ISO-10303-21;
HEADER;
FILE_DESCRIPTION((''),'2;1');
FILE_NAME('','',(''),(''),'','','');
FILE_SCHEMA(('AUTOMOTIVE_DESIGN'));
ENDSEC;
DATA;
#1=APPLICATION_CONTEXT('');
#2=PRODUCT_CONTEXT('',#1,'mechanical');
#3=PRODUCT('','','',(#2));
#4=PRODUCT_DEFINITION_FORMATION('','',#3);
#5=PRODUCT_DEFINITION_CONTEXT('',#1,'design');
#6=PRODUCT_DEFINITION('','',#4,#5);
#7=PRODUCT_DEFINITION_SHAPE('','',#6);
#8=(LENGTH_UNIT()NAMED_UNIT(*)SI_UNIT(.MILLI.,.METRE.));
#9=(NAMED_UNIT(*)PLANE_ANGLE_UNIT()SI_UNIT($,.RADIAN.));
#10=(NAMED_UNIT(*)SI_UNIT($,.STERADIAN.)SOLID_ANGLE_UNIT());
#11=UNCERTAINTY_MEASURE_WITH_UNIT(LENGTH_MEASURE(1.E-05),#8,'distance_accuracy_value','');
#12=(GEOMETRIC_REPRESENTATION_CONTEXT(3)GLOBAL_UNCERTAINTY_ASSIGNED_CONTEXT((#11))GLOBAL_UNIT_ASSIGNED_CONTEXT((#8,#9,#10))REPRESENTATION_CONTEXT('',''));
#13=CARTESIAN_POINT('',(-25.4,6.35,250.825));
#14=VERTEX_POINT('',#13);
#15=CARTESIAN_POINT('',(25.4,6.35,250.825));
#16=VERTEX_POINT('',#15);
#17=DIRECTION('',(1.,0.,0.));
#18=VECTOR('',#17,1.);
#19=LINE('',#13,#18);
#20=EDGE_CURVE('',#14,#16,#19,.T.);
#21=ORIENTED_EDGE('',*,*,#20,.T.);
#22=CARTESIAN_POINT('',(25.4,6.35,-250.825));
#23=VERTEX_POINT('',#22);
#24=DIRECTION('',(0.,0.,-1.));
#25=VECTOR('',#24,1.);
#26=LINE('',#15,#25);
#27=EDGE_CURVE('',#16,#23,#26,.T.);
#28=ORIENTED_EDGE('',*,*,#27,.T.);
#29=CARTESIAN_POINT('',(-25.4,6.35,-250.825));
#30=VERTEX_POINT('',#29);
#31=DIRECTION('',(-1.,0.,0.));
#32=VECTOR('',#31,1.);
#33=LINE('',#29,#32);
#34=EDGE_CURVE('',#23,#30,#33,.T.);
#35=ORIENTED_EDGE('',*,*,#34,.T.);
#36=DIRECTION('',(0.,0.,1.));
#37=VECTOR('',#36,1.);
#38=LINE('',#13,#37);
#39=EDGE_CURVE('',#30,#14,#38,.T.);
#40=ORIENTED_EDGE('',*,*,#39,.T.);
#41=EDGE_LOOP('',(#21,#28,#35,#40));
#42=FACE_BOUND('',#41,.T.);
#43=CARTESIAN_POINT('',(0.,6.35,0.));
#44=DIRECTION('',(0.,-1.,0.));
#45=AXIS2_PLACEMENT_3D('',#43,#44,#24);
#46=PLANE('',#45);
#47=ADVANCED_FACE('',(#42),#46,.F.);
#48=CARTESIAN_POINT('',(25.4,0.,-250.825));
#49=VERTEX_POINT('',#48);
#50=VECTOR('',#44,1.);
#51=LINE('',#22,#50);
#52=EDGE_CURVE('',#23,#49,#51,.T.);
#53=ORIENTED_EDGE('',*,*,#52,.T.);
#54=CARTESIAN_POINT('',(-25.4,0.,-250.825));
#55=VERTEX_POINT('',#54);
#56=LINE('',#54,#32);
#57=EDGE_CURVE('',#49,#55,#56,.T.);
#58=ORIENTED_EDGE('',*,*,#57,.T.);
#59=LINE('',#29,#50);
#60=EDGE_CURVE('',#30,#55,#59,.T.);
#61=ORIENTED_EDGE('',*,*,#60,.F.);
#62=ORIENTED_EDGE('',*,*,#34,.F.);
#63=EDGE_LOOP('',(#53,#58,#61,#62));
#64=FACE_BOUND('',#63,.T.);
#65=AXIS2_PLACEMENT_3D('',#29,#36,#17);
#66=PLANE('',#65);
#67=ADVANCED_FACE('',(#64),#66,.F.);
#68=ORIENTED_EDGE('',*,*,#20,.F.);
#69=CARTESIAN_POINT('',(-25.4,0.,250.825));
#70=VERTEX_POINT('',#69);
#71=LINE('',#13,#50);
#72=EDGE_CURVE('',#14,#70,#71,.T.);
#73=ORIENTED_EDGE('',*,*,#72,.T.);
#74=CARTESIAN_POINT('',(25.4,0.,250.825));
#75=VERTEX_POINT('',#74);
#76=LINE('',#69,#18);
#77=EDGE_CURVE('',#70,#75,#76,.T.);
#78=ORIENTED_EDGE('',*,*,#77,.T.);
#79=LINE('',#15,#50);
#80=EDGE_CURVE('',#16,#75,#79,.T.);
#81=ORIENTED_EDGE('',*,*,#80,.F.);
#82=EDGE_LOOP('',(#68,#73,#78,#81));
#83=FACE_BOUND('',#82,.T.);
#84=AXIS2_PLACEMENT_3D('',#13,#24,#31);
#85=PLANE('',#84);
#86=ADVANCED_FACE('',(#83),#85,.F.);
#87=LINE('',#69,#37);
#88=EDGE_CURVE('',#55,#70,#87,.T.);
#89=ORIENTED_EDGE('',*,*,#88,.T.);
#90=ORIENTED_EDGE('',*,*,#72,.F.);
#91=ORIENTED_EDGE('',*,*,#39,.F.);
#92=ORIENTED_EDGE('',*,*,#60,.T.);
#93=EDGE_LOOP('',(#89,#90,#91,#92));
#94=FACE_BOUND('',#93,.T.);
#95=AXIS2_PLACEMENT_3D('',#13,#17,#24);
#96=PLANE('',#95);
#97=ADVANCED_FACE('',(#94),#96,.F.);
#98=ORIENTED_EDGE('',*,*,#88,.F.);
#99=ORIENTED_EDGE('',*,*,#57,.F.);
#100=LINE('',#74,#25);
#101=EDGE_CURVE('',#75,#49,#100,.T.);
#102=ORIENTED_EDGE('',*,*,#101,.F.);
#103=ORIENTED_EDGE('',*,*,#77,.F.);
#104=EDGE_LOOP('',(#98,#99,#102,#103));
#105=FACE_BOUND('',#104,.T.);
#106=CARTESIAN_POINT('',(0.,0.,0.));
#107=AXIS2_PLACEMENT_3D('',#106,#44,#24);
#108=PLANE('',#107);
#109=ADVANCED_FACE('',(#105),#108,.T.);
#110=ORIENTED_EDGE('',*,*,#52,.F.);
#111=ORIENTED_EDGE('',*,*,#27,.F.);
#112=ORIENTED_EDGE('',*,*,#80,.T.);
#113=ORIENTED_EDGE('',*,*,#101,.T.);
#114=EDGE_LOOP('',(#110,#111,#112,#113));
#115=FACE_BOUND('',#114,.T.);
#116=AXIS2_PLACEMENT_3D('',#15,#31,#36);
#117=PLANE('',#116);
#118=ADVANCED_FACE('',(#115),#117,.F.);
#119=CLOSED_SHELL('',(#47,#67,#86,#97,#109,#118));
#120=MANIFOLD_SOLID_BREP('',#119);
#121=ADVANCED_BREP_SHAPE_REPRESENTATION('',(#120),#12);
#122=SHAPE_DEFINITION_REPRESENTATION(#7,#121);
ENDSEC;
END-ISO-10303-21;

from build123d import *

# Parameters (mm, degrees)
SKETCH1_W           = 50.8
SKETCH1_H           = 501.65
BOSS_EXTRUDE1_DEPTH = 6.35


with BuildPart() as part:
    # Sketch1 → Boss-Extrude1 (new body)
    with BuildSketch(Plane(origin=(0, 0, 0), x_dir=(1, 0, 0), z_dir=(0, 1, 0))):
        Rectangle(SKETCH1_W, SKETCH1_H)
    extrude(amount=BOSS_EXTRUDE1_DEPTH)


solid = part.part
